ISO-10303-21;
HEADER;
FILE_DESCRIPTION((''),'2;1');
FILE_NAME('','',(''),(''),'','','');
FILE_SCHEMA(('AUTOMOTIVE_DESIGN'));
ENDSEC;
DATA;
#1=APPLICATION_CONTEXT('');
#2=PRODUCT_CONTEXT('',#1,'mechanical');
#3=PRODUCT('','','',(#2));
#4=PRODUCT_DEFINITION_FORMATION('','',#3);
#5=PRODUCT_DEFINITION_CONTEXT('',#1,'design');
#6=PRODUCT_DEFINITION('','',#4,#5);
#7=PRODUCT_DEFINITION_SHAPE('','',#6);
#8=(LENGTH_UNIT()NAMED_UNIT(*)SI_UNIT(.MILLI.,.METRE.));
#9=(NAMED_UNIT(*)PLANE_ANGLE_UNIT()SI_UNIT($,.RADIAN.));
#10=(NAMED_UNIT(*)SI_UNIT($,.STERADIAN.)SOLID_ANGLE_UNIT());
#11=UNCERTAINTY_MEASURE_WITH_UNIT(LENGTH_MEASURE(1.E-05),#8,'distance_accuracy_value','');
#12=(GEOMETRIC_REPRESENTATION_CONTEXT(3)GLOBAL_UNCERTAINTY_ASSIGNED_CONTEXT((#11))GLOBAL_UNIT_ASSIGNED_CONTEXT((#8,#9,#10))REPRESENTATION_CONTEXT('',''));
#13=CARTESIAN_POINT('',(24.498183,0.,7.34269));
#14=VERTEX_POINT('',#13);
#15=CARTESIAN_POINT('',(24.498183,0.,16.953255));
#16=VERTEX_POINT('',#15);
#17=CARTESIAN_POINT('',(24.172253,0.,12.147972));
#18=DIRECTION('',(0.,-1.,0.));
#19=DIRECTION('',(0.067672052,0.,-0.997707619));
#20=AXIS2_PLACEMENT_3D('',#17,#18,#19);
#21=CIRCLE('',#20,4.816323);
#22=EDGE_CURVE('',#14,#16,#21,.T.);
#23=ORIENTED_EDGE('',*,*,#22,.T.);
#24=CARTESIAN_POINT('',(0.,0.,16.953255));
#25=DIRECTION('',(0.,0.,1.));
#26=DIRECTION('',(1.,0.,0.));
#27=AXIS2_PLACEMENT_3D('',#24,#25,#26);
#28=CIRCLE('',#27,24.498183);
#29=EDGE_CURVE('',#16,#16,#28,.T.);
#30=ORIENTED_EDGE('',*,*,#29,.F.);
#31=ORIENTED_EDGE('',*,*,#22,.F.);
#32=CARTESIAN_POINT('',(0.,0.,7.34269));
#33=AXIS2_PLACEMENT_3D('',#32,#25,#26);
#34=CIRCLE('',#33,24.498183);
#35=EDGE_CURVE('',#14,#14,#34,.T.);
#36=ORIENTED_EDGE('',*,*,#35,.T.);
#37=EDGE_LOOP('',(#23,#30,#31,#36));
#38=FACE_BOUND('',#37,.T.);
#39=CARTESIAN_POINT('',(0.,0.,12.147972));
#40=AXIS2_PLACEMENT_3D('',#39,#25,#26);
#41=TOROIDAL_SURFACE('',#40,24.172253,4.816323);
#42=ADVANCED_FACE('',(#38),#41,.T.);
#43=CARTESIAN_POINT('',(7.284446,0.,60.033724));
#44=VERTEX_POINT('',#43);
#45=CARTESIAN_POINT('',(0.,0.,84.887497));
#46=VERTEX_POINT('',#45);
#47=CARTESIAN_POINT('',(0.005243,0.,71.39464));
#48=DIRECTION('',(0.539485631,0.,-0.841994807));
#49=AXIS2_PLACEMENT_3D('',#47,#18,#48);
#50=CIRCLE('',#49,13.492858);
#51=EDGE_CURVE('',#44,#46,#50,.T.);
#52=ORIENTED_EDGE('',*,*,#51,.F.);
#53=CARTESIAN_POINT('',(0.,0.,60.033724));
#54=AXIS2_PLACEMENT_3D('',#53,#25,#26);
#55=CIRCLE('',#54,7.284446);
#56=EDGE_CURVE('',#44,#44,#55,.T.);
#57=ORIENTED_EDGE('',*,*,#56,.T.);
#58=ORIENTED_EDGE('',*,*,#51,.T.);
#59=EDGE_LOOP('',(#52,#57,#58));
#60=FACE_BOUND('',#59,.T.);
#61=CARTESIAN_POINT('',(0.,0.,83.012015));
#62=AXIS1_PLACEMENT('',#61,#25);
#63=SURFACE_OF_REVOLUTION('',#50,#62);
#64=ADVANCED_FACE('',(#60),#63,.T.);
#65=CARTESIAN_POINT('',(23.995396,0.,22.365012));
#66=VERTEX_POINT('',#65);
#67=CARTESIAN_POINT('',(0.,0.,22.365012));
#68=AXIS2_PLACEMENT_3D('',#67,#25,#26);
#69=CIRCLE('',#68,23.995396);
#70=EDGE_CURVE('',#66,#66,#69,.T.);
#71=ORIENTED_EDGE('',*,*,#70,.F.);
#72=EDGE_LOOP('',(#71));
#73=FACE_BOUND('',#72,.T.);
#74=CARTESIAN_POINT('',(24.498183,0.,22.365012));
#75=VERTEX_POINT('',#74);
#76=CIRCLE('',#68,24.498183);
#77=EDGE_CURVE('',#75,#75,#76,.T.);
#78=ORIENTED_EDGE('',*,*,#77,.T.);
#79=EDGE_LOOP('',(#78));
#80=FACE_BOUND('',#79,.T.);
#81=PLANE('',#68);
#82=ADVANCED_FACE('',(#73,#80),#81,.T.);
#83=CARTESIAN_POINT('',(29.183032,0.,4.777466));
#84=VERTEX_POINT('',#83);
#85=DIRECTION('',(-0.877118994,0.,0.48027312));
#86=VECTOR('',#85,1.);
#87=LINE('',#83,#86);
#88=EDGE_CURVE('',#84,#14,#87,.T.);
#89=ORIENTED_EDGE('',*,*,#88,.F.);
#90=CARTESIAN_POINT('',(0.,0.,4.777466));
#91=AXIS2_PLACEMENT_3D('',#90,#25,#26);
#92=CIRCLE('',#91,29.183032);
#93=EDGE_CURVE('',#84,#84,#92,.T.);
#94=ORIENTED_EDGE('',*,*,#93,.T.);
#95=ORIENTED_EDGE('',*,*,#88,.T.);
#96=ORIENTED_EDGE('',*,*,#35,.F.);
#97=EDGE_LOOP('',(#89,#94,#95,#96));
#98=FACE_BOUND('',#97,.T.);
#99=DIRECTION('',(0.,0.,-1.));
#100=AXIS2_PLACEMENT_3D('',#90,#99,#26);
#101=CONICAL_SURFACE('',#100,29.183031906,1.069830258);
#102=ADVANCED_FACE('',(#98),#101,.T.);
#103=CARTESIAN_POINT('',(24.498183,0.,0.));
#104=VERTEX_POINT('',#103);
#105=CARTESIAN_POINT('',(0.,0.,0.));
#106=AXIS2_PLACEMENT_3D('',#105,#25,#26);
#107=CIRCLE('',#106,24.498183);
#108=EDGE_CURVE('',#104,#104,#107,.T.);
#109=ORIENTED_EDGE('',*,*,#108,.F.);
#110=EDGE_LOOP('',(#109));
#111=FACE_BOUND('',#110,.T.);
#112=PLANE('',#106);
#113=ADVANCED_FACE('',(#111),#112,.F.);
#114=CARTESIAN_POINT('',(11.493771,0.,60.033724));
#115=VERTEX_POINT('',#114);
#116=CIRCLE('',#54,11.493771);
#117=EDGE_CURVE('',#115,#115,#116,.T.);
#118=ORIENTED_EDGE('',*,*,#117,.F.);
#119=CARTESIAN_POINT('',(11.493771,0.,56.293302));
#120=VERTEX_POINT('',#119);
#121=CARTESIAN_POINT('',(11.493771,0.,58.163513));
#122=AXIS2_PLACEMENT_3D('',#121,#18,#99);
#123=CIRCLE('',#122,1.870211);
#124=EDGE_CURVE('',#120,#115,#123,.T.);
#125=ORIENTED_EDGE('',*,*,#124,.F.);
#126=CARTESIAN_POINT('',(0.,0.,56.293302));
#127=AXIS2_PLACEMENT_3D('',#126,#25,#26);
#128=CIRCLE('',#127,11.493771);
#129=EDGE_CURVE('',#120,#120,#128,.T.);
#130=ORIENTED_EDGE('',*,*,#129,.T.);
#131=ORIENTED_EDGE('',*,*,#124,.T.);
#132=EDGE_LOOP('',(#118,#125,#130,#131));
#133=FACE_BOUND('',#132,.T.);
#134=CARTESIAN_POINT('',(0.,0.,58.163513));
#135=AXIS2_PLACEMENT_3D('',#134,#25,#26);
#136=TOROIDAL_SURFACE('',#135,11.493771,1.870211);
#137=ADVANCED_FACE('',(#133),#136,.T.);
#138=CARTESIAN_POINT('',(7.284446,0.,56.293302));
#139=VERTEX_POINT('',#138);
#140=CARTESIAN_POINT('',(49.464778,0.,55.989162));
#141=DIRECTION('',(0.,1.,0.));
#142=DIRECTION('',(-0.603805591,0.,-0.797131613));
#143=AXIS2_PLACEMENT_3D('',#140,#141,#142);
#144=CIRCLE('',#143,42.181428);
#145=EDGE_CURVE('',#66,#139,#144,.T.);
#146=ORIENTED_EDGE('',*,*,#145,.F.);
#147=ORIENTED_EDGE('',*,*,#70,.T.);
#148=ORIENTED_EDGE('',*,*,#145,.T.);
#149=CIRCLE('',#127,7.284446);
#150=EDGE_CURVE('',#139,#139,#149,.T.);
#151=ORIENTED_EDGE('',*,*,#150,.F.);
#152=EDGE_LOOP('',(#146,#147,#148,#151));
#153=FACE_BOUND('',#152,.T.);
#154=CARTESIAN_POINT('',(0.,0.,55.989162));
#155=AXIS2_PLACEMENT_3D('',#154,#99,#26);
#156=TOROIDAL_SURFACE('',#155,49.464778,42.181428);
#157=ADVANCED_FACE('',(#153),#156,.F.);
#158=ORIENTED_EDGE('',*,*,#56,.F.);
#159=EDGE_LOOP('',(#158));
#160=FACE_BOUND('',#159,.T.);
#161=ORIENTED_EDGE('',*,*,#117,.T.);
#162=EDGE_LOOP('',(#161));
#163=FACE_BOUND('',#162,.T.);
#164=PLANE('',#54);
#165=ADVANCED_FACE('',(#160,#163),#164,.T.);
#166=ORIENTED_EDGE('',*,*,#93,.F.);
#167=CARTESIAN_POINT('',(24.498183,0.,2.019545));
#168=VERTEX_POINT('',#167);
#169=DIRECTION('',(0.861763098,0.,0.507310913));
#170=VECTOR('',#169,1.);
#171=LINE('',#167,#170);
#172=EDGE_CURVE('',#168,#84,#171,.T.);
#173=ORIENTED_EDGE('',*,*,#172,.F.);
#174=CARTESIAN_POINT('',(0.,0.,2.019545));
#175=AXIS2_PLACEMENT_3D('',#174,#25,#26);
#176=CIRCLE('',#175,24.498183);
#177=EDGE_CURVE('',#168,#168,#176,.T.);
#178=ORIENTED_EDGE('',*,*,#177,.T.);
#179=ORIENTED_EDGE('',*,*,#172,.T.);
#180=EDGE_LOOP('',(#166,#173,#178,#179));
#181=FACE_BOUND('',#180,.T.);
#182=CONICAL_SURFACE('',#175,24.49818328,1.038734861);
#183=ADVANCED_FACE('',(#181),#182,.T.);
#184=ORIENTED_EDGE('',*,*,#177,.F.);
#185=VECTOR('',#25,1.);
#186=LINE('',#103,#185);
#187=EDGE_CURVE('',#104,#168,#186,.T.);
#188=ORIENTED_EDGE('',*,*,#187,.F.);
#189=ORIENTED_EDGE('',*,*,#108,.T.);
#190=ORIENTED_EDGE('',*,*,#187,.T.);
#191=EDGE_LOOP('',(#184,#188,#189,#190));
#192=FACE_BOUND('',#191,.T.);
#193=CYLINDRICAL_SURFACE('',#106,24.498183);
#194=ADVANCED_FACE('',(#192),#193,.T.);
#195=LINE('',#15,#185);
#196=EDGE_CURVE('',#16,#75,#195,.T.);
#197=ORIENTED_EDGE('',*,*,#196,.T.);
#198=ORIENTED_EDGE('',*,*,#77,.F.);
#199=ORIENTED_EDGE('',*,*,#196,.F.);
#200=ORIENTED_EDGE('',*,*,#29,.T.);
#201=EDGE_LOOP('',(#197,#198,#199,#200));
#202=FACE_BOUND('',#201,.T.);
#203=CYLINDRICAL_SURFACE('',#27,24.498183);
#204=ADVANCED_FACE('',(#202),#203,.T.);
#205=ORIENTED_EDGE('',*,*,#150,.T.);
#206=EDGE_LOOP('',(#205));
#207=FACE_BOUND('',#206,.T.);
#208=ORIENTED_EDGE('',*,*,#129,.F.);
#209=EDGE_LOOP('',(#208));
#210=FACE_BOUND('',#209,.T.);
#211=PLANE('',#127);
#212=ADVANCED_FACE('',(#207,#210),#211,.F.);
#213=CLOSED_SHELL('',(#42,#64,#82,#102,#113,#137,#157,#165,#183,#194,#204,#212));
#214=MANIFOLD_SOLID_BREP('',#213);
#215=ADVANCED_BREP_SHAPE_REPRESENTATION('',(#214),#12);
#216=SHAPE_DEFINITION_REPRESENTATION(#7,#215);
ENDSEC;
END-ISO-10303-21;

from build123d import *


with BuildPart() as f1:
    # F0 (on Front) → F1 (revolve)
    with BuildSketch(Plane.XZ):
        with BuildLine():
            Line((0, 81.1365321279), (0, 0))
            Line((0, 0), (24.4981832802, 0))
            Line((24.4981832802, 0), (24.4981832802, 2.0195446046))
            Line((24.4981832802, 2.0195446046), (29.1830319065, 4.777465942))
            Line((29.1830319065, 4.777465942), (24.4981832802, 7.3426901363))
            ThreePointArc((24.4981832802, 7.3426901363), (28.9885759092, 12.1479723839), (24.4981832802, 16.9532546316))
            Line((24.4981832802, 16.9532546316), (24.4981832802, 22.3650117874))
            Line((24.4981832802, 22.3650117874), (23.9953958767, 22.3650117874))
            ThreePointArc((23.9953958767, 22.3650117874), (11.6242816995, 37.3513044676), (7.2844462807, 56.2933017969))
            Line((7.2844462807, 56.2933017969), (11.4937714639, 56.2933017969))
            ThreePointArc((11.4937714639, 56.2933017969), (13.3639826777, 58.1635130107), (11.4937714639, 60.0337242245))
            Line((11.4937714639, 60.0337242245), (7.2844462807, 60.0337242245))
            ThreePointArc((7.2844462807, 60.0337242245), (12.9534142574, 75.1896479036), (0, 84.8874971271))
            Line((0, 84.8874971271), (0, 81.1365321279))
        make_face()
    revolve(axis=Axis((0, 0, 83.0120146275), (0, 0, 1)))


solid = f1.part
